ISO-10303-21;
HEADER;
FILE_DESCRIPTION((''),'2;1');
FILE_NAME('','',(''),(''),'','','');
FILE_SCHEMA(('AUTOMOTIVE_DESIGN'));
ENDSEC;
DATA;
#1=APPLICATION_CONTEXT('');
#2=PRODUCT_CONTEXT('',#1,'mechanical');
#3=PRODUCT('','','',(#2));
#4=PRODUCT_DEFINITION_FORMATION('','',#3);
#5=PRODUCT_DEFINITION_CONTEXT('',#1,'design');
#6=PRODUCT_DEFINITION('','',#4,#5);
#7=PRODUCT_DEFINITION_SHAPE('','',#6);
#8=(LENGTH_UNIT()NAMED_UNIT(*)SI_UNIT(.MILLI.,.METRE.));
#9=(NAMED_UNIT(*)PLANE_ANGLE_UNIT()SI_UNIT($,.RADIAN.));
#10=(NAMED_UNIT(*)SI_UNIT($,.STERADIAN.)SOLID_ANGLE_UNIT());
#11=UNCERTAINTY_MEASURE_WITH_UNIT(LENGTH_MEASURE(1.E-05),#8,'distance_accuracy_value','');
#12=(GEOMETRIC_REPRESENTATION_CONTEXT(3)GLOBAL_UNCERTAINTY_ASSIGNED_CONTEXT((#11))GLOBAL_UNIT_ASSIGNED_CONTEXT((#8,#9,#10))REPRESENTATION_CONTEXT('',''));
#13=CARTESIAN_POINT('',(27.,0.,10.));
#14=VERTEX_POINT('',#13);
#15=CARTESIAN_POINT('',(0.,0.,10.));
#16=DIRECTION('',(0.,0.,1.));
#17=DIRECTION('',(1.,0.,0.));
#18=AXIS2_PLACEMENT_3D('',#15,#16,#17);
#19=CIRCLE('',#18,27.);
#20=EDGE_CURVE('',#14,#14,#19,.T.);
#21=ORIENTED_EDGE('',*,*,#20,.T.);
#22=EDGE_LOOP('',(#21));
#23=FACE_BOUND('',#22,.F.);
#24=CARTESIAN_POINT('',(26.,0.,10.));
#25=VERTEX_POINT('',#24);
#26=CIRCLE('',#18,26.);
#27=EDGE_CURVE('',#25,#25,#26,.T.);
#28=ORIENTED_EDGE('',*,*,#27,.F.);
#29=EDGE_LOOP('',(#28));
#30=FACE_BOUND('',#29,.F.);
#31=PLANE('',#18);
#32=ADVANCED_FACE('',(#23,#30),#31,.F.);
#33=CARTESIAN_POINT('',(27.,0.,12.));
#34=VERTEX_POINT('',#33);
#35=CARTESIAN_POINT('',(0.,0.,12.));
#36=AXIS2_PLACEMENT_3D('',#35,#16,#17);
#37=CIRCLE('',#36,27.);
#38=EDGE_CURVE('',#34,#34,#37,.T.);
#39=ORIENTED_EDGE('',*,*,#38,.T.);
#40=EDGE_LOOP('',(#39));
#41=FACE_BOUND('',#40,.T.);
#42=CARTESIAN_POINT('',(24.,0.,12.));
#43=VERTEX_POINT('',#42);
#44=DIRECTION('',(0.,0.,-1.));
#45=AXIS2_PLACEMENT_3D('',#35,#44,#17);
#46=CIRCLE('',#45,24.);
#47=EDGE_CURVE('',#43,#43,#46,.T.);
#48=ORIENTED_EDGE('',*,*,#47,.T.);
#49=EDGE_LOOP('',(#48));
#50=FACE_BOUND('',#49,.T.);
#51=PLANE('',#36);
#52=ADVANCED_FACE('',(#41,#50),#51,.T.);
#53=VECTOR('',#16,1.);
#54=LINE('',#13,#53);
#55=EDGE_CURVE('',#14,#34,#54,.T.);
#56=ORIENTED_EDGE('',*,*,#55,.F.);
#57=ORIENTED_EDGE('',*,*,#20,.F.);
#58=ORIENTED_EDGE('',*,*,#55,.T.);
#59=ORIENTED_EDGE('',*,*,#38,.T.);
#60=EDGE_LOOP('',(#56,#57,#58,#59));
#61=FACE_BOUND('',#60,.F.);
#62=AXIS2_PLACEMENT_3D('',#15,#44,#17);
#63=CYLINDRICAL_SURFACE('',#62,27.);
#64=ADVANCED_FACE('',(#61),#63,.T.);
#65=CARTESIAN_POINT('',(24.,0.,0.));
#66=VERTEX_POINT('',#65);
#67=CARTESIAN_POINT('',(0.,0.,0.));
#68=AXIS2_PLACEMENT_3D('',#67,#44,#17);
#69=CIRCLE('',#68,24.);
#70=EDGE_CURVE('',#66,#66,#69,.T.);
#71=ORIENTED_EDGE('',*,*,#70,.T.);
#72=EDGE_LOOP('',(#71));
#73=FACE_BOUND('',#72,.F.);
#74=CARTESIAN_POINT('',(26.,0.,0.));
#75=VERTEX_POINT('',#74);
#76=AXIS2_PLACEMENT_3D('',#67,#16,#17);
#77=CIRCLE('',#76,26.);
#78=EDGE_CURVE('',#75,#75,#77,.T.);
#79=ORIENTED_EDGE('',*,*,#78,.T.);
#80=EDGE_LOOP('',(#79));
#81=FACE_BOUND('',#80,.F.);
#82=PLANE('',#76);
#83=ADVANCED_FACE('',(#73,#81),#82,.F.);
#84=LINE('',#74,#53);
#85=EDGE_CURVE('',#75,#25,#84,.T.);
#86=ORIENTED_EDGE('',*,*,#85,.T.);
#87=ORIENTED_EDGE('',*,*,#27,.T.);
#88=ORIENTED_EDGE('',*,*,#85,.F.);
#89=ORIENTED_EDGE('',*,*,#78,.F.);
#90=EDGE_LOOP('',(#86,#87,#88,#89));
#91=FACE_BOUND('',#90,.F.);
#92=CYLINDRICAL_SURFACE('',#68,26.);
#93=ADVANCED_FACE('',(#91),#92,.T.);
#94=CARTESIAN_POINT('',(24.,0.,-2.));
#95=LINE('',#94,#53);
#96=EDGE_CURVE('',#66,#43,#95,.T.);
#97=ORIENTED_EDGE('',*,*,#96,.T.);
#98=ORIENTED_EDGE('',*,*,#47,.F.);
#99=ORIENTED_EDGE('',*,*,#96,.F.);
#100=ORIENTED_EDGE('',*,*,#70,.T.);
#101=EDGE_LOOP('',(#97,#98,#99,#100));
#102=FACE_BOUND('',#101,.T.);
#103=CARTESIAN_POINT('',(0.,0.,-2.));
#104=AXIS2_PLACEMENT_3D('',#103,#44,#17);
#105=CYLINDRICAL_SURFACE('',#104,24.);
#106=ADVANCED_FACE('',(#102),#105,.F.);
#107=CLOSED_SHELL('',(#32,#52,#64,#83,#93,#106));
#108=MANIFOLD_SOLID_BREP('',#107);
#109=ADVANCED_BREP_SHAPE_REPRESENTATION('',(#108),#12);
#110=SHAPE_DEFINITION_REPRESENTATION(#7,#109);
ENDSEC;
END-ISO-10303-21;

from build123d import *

# Parameters (mm, degrees)
CYLINDER_R        = 24
CYLINDER_DEPTH    = 16
CYLINDER002_R     = 27
CYLINDER002_DEPTH = 2
CYLINDER001_R     = 26
CYLINDER001_DEPTH = 10


with BuildPart() as agujero:
    # Cylinder → Cylinder (new body)
    with BuildSketch(Plane.XY.offset(-2)):
        Circle(CYLINDER_R)
    extrude(amount=CYLINDER_DEPTH)


with BuildPart() as externo:
    # Cylinder002 → Cylinder002 (new body)
    with BuildSketch(Plane.XY.offset(10)):
        Circle(CYLINDER002_R)
    extrude(amount=CYLINDER002_DEPTH)


with BuildPart() as cut:
    # Cylinder001 → Cylinder001 (new body)
    with BuildSketch(Plane.XY):
        Circle(CYLINDER001_R)
    extrude(amount=CYLINDER001_DEPTH)

    # Fusion: union externo
    add(externo.part)

    # Cut: cut agujero
    add(agujero.part, mode=Mode.SUBTRACT)


solid = cut.part
